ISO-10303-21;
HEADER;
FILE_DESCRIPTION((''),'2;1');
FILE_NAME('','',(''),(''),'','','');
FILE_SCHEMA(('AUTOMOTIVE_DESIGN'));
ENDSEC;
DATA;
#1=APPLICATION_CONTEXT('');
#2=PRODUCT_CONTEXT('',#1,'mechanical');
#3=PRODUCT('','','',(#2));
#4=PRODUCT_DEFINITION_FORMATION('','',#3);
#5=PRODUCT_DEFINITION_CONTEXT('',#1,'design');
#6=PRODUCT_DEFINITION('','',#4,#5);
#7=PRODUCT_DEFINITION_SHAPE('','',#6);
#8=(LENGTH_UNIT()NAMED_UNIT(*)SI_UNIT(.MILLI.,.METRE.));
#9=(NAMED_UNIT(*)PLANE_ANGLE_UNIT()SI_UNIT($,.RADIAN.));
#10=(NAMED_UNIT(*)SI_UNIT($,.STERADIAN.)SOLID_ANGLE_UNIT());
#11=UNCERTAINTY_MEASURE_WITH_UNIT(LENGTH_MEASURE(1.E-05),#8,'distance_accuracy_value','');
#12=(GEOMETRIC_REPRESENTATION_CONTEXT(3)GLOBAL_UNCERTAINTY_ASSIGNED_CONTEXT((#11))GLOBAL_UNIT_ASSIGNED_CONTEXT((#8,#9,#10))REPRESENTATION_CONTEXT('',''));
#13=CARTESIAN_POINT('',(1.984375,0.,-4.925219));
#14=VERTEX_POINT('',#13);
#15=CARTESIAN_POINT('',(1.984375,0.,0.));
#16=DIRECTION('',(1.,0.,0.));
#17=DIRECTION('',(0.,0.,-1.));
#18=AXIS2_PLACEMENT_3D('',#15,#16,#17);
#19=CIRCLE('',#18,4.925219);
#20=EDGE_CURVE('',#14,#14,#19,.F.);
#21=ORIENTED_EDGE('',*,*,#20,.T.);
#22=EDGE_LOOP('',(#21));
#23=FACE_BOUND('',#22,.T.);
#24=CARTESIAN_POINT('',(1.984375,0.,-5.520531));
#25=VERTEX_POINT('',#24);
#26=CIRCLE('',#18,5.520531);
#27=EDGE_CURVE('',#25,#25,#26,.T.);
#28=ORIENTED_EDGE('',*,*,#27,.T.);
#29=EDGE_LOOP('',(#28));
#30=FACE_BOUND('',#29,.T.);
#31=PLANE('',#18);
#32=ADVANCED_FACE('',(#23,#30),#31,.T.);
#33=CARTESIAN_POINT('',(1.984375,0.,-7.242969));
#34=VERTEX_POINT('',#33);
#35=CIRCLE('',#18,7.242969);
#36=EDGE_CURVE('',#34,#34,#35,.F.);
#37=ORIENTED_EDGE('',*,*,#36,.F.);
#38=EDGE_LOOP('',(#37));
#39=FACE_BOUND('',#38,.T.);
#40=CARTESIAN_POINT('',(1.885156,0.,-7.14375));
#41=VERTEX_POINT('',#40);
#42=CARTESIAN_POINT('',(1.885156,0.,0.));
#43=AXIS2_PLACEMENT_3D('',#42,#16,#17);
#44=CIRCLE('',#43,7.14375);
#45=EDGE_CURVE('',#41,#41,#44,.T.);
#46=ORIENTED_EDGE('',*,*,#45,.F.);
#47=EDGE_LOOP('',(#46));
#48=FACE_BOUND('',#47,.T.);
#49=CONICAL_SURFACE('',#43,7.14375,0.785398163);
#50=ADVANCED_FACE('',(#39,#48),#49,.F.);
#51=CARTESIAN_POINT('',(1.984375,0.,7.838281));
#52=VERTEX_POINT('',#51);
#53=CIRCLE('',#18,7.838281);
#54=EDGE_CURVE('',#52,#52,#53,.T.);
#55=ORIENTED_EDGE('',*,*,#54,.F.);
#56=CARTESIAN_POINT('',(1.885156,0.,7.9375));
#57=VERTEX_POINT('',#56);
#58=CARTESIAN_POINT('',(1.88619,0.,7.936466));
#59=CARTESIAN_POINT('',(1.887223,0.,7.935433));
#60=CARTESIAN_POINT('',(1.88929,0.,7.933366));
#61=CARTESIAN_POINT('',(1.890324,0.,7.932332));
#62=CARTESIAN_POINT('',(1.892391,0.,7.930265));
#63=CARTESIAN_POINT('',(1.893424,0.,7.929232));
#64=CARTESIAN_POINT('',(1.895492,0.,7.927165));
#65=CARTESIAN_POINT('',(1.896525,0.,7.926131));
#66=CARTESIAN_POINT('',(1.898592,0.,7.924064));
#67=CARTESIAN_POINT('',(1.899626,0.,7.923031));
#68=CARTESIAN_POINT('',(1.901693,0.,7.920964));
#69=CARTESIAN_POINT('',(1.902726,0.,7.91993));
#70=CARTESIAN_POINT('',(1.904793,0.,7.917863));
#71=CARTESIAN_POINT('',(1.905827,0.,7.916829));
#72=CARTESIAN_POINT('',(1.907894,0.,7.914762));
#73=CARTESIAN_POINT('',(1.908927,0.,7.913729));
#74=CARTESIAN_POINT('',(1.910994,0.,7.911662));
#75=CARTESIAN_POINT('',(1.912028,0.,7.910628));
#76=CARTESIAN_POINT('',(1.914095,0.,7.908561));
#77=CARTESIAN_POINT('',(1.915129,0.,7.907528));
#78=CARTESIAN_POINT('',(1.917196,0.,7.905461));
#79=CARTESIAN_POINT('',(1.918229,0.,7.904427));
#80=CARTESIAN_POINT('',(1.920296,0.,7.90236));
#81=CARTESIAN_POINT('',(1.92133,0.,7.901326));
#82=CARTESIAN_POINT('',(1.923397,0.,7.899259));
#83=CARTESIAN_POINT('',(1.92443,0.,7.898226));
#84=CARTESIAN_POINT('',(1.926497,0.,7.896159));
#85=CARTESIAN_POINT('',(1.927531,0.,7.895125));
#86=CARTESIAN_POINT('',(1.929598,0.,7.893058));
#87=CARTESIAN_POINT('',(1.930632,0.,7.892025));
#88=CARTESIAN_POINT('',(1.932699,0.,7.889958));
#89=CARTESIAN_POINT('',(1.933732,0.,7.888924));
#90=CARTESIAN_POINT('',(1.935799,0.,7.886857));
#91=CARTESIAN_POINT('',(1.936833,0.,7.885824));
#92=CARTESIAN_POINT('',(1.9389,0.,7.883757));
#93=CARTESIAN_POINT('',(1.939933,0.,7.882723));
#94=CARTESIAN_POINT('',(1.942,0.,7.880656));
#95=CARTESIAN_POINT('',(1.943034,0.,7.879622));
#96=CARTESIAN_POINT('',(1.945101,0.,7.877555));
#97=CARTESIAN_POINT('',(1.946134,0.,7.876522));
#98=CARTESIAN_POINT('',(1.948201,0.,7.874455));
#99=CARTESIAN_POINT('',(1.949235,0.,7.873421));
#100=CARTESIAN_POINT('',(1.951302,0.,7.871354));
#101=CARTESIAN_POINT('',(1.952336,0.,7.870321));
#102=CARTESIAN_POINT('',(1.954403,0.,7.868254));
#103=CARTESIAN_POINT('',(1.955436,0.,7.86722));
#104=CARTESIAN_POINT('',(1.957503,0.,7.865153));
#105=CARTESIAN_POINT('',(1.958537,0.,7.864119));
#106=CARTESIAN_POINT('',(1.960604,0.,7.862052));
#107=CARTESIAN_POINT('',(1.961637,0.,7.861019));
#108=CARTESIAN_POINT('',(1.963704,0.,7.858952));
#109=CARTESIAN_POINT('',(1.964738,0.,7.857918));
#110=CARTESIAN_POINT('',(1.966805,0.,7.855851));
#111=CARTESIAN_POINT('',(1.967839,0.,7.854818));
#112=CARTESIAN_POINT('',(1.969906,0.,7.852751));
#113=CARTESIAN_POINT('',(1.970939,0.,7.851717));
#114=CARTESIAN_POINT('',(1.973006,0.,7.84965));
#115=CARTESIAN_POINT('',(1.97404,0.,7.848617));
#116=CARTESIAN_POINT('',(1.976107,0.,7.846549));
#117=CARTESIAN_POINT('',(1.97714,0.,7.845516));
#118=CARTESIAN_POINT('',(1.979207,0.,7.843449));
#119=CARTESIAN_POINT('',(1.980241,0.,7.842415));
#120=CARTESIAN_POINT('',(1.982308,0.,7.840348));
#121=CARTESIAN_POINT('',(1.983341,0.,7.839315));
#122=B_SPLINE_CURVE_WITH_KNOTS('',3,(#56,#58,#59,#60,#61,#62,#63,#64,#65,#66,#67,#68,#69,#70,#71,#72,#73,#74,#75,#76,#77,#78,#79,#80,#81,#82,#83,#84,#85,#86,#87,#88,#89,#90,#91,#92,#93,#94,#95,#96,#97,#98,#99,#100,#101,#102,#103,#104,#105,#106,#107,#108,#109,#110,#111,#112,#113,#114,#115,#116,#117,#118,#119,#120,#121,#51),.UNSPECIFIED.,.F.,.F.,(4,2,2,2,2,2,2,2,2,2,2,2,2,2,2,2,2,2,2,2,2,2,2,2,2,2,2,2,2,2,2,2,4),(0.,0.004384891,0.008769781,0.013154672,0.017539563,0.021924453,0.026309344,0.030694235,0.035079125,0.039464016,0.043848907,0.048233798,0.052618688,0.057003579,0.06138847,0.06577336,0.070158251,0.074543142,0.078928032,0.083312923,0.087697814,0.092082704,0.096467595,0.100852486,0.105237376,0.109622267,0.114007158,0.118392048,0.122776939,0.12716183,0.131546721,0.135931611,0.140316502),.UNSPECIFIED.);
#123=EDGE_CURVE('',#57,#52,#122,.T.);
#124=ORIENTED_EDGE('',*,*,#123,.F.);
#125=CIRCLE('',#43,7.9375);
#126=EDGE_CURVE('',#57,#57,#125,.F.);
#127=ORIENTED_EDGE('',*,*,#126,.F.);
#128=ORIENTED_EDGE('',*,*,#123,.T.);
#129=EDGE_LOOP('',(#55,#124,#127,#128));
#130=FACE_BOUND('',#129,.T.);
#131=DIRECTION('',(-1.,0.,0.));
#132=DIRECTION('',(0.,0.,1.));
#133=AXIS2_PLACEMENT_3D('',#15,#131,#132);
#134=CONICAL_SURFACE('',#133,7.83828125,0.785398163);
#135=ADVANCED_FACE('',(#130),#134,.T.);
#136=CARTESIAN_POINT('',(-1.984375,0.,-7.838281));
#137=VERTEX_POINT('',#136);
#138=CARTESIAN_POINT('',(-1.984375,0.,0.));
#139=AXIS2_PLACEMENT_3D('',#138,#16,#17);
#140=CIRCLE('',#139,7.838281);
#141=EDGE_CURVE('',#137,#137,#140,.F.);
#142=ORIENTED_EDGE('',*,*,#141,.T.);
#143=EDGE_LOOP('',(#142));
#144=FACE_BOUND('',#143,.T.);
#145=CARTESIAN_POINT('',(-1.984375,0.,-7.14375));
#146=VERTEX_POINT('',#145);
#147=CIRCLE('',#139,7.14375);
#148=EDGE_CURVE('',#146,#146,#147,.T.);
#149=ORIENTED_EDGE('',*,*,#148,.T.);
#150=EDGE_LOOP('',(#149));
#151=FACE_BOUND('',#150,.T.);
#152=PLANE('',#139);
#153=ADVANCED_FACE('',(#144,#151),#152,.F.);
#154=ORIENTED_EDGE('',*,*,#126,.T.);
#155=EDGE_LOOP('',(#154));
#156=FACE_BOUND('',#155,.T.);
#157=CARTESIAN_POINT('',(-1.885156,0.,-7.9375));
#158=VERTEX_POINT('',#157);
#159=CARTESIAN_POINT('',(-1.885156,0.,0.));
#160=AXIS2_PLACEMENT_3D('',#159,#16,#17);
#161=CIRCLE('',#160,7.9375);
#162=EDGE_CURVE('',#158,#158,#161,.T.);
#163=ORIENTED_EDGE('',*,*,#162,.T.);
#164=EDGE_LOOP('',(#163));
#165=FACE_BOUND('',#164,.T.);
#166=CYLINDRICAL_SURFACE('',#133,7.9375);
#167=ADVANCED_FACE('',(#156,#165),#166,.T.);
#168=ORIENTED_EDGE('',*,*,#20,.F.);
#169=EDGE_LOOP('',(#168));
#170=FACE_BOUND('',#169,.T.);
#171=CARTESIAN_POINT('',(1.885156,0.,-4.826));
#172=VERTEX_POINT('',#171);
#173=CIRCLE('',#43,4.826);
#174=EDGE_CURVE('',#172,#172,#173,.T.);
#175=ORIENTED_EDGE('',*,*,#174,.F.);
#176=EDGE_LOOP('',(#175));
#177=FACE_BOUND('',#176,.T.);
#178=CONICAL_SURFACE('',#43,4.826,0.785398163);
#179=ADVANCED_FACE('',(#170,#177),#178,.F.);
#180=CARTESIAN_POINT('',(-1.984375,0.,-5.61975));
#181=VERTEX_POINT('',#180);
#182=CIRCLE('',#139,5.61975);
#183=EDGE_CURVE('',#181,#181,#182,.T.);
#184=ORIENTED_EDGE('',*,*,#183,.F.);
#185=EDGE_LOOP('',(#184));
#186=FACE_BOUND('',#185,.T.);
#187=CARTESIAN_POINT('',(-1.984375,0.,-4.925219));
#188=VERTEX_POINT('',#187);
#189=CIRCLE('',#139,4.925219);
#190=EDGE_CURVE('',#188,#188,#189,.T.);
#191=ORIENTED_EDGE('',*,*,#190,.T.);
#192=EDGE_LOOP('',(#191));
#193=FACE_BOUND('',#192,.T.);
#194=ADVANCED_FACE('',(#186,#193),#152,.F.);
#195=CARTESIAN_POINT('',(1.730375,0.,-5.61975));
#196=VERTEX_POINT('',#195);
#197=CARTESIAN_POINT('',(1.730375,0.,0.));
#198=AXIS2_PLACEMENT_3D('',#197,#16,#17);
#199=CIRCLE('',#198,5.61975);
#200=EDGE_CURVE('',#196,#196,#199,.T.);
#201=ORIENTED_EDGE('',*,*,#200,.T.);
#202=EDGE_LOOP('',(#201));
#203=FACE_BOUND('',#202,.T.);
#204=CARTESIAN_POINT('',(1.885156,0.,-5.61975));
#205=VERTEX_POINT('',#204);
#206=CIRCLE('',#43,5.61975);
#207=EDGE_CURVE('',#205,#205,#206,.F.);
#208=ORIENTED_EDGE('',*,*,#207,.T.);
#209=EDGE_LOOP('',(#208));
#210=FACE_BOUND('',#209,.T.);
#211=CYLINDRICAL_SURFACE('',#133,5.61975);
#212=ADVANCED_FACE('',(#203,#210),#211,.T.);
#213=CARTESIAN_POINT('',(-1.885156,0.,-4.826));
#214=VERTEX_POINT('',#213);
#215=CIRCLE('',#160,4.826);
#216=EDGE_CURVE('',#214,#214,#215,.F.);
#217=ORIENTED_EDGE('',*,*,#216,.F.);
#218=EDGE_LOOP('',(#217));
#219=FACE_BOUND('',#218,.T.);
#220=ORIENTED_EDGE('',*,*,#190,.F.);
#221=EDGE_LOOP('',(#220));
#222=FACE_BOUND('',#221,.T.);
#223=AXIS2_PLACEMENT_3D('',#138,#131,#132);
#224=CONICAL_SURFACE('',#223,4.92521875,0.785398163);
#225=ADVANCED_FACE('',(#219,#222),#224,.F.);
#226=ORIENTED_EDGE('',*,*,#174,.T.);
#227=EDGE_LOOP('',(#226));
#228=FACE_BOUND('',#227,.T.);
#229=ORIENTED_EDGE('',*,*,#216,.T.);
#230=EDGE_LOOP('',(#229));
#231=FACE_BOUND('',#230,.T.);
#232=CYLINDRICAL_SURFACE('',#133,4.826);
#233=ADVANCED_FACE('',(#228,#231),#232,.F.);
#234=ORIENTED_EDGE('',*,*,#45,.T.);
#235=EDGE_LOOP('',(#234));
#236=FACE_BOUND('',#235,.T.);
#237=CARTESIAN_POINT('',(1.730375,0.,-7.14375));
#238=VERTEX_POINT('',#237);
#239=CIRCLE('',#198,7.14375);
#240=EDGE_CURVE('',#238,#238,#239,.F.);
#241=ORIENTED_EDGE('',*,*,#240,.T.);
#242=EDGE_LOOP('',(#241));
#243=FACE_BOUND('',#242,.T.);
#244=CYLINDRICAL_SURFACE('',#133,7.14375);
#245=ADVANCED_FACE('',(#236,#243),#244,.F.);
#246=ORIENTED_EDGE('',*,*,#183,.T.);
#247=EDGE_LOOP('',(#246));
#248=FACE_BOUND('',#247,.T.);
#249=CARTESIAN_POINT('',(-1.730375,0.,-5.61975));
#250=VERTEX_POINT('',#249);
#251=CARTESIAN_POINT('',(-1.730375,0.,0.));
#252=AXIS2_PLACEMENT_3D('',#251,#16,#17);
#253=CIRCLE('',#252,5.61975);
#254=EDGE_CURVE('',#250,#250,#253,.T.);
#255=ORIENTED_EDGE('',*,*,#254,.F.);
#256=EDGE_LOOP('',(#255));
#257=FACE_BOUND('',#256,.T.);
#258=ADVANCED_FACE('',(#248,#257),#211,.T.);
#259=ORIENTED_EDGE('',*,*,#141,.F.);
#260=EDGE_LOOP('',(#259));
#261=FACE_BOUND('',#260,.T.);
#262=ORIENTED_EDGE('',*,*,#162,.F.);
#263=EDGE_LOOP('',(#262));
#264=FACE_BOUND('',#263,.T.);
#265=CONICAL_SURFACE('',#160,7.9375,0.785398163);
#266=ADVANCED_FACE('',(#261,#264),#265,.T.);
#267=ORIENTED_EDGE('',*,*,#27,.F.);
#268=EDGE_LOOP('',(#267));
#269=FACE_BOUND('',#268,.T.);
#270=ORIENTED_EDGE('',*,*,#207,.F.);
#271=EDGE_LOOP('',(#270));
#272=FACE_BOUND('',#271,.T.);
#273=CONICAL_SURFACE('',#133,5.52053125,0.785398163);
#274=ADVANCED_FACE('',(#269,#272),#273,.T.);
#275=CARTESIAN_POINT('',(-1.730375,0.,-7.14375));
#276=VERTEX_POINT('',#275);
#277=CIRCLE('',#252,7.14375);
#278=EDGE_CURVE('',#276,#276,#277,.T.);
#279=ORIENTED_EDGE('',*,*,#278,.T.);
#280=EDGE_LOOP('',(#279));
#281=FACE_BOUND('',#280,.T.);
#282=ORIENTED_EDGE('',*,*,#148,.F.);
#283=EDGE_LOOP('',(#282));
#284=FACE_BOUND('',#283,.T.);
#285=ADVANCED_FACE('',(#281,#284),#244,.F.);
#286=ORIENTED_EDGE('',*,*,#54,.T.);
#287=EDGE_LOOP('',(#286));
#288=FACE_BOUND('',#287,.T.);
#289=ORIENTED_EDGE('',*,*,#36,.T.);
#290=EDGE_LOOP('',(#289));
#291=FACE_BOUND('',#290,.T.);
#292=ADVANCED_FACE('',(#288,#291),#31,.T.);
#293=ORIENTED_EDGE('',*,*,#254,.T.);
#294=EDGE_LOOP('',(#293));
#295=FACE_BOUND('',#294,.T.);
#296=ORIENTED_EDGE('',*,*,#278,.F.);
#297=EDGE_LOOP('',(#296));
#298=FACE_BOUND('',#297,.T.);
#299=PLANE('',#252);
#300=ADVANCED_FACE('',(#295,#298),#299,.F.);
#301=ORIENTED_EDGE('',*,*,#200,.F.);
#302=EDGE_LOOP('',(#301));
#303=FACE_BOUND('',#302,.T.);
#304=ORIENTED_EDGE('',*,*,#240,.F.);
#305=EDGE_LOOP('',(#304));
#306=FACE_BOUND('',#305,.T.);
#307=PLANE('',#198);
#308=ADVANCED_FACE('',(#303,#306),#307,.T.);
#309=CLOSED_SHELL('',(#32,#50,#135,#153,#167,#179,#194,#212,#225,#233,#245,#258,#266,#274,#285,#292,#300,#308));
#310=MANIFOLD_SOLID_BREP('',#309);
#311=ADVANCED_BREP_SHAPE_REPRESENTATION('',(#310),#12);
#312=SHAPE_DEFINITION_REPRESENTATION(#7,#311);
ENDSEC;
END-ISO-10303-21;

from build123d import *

# Parameters (mm, degrees)
SKETCH1_R             = 5.61975
SKETCH1_R_2           = 4.826
BOSS_EXTRUDE1_DEPTH   = 1.984375
SKETCH1_R_3           = 7.9375
SKETCH1_R_4           = 7.14375
BOSS_EXTRUDE1_2_DEPTH = 1.984375
SKETCH2_R             = 7.14375
SKETCH2_R_2           = 5.61975
BOSS_EXTRUDE2_DEPTH   = 1.730375
CHAMFER1_SIZE         = 0.09921875


with BuildPart() as part:
    # Sketch1 → Boss-Extrude1 (new, symmetric)
    with BuildSketch(Plane(origin=(0, 0, 0), x_dir=(0, 0, -1), z_dir=(1, 0, 0))):
        Circle(SKETCH1_R)
        Circle(SKETCH1_R_2, mode=Mode.SUBTRACT)
    extrude(amount=BOSS_EXTRUDE1_DEPTH, both=True)



with BuildPart() as body_2:
    # Sketch1 → Boss-Extrude1 2 (new, symmetric)
    with BuildSketch(Plane(origin=(0, 0, 0), x_dir=(0, 0, -1), z_dir=(1, 0, 0))):
        Circle(SKETCH1_R_3)
        Circle(SKETCH1_R_4, mode=Mode.SUBTRACT)
    extrude(amount=BOSS_EXTRUDE1_2_DEPTH, both=True)


with BuildPart() as part_1:
    add(part.part)

    add(body_2.part)  # Boss-Extrude2 merges body 2
    # Sketch2 → Boss-Extrude2 (add, symmetric)
    with BuildSketch(Plane(origin=(0, 0, 0), x_dir=(0, 0, -1), z_dir=(1, 0, 0))):
        Circle(SKETCH2_R)
        Circle(SKETCH2_R_2, mode=Mode.SUBTRACT)
    extrude(amount=BOSS_EXTRUDE2_DEPTH, both=True)

    # Chamfer1
    chamfer1_edges = [part_1.edges().sort_by_distance(p)[0] for p in [
        (1.984375, 0, 5.61975),
        (1.984375, 0, 7.14375),
        (-1.984375, 0, 7.9375),
        (1.984375, 0, 7.9375),
        (-1.984375, 0, 4.826),
        (1.984375, 0, 4.826),
    ]]
    chamfer(chamfer1_edges, length=CHAMFER1_SIZE)


solid = part_1.part
